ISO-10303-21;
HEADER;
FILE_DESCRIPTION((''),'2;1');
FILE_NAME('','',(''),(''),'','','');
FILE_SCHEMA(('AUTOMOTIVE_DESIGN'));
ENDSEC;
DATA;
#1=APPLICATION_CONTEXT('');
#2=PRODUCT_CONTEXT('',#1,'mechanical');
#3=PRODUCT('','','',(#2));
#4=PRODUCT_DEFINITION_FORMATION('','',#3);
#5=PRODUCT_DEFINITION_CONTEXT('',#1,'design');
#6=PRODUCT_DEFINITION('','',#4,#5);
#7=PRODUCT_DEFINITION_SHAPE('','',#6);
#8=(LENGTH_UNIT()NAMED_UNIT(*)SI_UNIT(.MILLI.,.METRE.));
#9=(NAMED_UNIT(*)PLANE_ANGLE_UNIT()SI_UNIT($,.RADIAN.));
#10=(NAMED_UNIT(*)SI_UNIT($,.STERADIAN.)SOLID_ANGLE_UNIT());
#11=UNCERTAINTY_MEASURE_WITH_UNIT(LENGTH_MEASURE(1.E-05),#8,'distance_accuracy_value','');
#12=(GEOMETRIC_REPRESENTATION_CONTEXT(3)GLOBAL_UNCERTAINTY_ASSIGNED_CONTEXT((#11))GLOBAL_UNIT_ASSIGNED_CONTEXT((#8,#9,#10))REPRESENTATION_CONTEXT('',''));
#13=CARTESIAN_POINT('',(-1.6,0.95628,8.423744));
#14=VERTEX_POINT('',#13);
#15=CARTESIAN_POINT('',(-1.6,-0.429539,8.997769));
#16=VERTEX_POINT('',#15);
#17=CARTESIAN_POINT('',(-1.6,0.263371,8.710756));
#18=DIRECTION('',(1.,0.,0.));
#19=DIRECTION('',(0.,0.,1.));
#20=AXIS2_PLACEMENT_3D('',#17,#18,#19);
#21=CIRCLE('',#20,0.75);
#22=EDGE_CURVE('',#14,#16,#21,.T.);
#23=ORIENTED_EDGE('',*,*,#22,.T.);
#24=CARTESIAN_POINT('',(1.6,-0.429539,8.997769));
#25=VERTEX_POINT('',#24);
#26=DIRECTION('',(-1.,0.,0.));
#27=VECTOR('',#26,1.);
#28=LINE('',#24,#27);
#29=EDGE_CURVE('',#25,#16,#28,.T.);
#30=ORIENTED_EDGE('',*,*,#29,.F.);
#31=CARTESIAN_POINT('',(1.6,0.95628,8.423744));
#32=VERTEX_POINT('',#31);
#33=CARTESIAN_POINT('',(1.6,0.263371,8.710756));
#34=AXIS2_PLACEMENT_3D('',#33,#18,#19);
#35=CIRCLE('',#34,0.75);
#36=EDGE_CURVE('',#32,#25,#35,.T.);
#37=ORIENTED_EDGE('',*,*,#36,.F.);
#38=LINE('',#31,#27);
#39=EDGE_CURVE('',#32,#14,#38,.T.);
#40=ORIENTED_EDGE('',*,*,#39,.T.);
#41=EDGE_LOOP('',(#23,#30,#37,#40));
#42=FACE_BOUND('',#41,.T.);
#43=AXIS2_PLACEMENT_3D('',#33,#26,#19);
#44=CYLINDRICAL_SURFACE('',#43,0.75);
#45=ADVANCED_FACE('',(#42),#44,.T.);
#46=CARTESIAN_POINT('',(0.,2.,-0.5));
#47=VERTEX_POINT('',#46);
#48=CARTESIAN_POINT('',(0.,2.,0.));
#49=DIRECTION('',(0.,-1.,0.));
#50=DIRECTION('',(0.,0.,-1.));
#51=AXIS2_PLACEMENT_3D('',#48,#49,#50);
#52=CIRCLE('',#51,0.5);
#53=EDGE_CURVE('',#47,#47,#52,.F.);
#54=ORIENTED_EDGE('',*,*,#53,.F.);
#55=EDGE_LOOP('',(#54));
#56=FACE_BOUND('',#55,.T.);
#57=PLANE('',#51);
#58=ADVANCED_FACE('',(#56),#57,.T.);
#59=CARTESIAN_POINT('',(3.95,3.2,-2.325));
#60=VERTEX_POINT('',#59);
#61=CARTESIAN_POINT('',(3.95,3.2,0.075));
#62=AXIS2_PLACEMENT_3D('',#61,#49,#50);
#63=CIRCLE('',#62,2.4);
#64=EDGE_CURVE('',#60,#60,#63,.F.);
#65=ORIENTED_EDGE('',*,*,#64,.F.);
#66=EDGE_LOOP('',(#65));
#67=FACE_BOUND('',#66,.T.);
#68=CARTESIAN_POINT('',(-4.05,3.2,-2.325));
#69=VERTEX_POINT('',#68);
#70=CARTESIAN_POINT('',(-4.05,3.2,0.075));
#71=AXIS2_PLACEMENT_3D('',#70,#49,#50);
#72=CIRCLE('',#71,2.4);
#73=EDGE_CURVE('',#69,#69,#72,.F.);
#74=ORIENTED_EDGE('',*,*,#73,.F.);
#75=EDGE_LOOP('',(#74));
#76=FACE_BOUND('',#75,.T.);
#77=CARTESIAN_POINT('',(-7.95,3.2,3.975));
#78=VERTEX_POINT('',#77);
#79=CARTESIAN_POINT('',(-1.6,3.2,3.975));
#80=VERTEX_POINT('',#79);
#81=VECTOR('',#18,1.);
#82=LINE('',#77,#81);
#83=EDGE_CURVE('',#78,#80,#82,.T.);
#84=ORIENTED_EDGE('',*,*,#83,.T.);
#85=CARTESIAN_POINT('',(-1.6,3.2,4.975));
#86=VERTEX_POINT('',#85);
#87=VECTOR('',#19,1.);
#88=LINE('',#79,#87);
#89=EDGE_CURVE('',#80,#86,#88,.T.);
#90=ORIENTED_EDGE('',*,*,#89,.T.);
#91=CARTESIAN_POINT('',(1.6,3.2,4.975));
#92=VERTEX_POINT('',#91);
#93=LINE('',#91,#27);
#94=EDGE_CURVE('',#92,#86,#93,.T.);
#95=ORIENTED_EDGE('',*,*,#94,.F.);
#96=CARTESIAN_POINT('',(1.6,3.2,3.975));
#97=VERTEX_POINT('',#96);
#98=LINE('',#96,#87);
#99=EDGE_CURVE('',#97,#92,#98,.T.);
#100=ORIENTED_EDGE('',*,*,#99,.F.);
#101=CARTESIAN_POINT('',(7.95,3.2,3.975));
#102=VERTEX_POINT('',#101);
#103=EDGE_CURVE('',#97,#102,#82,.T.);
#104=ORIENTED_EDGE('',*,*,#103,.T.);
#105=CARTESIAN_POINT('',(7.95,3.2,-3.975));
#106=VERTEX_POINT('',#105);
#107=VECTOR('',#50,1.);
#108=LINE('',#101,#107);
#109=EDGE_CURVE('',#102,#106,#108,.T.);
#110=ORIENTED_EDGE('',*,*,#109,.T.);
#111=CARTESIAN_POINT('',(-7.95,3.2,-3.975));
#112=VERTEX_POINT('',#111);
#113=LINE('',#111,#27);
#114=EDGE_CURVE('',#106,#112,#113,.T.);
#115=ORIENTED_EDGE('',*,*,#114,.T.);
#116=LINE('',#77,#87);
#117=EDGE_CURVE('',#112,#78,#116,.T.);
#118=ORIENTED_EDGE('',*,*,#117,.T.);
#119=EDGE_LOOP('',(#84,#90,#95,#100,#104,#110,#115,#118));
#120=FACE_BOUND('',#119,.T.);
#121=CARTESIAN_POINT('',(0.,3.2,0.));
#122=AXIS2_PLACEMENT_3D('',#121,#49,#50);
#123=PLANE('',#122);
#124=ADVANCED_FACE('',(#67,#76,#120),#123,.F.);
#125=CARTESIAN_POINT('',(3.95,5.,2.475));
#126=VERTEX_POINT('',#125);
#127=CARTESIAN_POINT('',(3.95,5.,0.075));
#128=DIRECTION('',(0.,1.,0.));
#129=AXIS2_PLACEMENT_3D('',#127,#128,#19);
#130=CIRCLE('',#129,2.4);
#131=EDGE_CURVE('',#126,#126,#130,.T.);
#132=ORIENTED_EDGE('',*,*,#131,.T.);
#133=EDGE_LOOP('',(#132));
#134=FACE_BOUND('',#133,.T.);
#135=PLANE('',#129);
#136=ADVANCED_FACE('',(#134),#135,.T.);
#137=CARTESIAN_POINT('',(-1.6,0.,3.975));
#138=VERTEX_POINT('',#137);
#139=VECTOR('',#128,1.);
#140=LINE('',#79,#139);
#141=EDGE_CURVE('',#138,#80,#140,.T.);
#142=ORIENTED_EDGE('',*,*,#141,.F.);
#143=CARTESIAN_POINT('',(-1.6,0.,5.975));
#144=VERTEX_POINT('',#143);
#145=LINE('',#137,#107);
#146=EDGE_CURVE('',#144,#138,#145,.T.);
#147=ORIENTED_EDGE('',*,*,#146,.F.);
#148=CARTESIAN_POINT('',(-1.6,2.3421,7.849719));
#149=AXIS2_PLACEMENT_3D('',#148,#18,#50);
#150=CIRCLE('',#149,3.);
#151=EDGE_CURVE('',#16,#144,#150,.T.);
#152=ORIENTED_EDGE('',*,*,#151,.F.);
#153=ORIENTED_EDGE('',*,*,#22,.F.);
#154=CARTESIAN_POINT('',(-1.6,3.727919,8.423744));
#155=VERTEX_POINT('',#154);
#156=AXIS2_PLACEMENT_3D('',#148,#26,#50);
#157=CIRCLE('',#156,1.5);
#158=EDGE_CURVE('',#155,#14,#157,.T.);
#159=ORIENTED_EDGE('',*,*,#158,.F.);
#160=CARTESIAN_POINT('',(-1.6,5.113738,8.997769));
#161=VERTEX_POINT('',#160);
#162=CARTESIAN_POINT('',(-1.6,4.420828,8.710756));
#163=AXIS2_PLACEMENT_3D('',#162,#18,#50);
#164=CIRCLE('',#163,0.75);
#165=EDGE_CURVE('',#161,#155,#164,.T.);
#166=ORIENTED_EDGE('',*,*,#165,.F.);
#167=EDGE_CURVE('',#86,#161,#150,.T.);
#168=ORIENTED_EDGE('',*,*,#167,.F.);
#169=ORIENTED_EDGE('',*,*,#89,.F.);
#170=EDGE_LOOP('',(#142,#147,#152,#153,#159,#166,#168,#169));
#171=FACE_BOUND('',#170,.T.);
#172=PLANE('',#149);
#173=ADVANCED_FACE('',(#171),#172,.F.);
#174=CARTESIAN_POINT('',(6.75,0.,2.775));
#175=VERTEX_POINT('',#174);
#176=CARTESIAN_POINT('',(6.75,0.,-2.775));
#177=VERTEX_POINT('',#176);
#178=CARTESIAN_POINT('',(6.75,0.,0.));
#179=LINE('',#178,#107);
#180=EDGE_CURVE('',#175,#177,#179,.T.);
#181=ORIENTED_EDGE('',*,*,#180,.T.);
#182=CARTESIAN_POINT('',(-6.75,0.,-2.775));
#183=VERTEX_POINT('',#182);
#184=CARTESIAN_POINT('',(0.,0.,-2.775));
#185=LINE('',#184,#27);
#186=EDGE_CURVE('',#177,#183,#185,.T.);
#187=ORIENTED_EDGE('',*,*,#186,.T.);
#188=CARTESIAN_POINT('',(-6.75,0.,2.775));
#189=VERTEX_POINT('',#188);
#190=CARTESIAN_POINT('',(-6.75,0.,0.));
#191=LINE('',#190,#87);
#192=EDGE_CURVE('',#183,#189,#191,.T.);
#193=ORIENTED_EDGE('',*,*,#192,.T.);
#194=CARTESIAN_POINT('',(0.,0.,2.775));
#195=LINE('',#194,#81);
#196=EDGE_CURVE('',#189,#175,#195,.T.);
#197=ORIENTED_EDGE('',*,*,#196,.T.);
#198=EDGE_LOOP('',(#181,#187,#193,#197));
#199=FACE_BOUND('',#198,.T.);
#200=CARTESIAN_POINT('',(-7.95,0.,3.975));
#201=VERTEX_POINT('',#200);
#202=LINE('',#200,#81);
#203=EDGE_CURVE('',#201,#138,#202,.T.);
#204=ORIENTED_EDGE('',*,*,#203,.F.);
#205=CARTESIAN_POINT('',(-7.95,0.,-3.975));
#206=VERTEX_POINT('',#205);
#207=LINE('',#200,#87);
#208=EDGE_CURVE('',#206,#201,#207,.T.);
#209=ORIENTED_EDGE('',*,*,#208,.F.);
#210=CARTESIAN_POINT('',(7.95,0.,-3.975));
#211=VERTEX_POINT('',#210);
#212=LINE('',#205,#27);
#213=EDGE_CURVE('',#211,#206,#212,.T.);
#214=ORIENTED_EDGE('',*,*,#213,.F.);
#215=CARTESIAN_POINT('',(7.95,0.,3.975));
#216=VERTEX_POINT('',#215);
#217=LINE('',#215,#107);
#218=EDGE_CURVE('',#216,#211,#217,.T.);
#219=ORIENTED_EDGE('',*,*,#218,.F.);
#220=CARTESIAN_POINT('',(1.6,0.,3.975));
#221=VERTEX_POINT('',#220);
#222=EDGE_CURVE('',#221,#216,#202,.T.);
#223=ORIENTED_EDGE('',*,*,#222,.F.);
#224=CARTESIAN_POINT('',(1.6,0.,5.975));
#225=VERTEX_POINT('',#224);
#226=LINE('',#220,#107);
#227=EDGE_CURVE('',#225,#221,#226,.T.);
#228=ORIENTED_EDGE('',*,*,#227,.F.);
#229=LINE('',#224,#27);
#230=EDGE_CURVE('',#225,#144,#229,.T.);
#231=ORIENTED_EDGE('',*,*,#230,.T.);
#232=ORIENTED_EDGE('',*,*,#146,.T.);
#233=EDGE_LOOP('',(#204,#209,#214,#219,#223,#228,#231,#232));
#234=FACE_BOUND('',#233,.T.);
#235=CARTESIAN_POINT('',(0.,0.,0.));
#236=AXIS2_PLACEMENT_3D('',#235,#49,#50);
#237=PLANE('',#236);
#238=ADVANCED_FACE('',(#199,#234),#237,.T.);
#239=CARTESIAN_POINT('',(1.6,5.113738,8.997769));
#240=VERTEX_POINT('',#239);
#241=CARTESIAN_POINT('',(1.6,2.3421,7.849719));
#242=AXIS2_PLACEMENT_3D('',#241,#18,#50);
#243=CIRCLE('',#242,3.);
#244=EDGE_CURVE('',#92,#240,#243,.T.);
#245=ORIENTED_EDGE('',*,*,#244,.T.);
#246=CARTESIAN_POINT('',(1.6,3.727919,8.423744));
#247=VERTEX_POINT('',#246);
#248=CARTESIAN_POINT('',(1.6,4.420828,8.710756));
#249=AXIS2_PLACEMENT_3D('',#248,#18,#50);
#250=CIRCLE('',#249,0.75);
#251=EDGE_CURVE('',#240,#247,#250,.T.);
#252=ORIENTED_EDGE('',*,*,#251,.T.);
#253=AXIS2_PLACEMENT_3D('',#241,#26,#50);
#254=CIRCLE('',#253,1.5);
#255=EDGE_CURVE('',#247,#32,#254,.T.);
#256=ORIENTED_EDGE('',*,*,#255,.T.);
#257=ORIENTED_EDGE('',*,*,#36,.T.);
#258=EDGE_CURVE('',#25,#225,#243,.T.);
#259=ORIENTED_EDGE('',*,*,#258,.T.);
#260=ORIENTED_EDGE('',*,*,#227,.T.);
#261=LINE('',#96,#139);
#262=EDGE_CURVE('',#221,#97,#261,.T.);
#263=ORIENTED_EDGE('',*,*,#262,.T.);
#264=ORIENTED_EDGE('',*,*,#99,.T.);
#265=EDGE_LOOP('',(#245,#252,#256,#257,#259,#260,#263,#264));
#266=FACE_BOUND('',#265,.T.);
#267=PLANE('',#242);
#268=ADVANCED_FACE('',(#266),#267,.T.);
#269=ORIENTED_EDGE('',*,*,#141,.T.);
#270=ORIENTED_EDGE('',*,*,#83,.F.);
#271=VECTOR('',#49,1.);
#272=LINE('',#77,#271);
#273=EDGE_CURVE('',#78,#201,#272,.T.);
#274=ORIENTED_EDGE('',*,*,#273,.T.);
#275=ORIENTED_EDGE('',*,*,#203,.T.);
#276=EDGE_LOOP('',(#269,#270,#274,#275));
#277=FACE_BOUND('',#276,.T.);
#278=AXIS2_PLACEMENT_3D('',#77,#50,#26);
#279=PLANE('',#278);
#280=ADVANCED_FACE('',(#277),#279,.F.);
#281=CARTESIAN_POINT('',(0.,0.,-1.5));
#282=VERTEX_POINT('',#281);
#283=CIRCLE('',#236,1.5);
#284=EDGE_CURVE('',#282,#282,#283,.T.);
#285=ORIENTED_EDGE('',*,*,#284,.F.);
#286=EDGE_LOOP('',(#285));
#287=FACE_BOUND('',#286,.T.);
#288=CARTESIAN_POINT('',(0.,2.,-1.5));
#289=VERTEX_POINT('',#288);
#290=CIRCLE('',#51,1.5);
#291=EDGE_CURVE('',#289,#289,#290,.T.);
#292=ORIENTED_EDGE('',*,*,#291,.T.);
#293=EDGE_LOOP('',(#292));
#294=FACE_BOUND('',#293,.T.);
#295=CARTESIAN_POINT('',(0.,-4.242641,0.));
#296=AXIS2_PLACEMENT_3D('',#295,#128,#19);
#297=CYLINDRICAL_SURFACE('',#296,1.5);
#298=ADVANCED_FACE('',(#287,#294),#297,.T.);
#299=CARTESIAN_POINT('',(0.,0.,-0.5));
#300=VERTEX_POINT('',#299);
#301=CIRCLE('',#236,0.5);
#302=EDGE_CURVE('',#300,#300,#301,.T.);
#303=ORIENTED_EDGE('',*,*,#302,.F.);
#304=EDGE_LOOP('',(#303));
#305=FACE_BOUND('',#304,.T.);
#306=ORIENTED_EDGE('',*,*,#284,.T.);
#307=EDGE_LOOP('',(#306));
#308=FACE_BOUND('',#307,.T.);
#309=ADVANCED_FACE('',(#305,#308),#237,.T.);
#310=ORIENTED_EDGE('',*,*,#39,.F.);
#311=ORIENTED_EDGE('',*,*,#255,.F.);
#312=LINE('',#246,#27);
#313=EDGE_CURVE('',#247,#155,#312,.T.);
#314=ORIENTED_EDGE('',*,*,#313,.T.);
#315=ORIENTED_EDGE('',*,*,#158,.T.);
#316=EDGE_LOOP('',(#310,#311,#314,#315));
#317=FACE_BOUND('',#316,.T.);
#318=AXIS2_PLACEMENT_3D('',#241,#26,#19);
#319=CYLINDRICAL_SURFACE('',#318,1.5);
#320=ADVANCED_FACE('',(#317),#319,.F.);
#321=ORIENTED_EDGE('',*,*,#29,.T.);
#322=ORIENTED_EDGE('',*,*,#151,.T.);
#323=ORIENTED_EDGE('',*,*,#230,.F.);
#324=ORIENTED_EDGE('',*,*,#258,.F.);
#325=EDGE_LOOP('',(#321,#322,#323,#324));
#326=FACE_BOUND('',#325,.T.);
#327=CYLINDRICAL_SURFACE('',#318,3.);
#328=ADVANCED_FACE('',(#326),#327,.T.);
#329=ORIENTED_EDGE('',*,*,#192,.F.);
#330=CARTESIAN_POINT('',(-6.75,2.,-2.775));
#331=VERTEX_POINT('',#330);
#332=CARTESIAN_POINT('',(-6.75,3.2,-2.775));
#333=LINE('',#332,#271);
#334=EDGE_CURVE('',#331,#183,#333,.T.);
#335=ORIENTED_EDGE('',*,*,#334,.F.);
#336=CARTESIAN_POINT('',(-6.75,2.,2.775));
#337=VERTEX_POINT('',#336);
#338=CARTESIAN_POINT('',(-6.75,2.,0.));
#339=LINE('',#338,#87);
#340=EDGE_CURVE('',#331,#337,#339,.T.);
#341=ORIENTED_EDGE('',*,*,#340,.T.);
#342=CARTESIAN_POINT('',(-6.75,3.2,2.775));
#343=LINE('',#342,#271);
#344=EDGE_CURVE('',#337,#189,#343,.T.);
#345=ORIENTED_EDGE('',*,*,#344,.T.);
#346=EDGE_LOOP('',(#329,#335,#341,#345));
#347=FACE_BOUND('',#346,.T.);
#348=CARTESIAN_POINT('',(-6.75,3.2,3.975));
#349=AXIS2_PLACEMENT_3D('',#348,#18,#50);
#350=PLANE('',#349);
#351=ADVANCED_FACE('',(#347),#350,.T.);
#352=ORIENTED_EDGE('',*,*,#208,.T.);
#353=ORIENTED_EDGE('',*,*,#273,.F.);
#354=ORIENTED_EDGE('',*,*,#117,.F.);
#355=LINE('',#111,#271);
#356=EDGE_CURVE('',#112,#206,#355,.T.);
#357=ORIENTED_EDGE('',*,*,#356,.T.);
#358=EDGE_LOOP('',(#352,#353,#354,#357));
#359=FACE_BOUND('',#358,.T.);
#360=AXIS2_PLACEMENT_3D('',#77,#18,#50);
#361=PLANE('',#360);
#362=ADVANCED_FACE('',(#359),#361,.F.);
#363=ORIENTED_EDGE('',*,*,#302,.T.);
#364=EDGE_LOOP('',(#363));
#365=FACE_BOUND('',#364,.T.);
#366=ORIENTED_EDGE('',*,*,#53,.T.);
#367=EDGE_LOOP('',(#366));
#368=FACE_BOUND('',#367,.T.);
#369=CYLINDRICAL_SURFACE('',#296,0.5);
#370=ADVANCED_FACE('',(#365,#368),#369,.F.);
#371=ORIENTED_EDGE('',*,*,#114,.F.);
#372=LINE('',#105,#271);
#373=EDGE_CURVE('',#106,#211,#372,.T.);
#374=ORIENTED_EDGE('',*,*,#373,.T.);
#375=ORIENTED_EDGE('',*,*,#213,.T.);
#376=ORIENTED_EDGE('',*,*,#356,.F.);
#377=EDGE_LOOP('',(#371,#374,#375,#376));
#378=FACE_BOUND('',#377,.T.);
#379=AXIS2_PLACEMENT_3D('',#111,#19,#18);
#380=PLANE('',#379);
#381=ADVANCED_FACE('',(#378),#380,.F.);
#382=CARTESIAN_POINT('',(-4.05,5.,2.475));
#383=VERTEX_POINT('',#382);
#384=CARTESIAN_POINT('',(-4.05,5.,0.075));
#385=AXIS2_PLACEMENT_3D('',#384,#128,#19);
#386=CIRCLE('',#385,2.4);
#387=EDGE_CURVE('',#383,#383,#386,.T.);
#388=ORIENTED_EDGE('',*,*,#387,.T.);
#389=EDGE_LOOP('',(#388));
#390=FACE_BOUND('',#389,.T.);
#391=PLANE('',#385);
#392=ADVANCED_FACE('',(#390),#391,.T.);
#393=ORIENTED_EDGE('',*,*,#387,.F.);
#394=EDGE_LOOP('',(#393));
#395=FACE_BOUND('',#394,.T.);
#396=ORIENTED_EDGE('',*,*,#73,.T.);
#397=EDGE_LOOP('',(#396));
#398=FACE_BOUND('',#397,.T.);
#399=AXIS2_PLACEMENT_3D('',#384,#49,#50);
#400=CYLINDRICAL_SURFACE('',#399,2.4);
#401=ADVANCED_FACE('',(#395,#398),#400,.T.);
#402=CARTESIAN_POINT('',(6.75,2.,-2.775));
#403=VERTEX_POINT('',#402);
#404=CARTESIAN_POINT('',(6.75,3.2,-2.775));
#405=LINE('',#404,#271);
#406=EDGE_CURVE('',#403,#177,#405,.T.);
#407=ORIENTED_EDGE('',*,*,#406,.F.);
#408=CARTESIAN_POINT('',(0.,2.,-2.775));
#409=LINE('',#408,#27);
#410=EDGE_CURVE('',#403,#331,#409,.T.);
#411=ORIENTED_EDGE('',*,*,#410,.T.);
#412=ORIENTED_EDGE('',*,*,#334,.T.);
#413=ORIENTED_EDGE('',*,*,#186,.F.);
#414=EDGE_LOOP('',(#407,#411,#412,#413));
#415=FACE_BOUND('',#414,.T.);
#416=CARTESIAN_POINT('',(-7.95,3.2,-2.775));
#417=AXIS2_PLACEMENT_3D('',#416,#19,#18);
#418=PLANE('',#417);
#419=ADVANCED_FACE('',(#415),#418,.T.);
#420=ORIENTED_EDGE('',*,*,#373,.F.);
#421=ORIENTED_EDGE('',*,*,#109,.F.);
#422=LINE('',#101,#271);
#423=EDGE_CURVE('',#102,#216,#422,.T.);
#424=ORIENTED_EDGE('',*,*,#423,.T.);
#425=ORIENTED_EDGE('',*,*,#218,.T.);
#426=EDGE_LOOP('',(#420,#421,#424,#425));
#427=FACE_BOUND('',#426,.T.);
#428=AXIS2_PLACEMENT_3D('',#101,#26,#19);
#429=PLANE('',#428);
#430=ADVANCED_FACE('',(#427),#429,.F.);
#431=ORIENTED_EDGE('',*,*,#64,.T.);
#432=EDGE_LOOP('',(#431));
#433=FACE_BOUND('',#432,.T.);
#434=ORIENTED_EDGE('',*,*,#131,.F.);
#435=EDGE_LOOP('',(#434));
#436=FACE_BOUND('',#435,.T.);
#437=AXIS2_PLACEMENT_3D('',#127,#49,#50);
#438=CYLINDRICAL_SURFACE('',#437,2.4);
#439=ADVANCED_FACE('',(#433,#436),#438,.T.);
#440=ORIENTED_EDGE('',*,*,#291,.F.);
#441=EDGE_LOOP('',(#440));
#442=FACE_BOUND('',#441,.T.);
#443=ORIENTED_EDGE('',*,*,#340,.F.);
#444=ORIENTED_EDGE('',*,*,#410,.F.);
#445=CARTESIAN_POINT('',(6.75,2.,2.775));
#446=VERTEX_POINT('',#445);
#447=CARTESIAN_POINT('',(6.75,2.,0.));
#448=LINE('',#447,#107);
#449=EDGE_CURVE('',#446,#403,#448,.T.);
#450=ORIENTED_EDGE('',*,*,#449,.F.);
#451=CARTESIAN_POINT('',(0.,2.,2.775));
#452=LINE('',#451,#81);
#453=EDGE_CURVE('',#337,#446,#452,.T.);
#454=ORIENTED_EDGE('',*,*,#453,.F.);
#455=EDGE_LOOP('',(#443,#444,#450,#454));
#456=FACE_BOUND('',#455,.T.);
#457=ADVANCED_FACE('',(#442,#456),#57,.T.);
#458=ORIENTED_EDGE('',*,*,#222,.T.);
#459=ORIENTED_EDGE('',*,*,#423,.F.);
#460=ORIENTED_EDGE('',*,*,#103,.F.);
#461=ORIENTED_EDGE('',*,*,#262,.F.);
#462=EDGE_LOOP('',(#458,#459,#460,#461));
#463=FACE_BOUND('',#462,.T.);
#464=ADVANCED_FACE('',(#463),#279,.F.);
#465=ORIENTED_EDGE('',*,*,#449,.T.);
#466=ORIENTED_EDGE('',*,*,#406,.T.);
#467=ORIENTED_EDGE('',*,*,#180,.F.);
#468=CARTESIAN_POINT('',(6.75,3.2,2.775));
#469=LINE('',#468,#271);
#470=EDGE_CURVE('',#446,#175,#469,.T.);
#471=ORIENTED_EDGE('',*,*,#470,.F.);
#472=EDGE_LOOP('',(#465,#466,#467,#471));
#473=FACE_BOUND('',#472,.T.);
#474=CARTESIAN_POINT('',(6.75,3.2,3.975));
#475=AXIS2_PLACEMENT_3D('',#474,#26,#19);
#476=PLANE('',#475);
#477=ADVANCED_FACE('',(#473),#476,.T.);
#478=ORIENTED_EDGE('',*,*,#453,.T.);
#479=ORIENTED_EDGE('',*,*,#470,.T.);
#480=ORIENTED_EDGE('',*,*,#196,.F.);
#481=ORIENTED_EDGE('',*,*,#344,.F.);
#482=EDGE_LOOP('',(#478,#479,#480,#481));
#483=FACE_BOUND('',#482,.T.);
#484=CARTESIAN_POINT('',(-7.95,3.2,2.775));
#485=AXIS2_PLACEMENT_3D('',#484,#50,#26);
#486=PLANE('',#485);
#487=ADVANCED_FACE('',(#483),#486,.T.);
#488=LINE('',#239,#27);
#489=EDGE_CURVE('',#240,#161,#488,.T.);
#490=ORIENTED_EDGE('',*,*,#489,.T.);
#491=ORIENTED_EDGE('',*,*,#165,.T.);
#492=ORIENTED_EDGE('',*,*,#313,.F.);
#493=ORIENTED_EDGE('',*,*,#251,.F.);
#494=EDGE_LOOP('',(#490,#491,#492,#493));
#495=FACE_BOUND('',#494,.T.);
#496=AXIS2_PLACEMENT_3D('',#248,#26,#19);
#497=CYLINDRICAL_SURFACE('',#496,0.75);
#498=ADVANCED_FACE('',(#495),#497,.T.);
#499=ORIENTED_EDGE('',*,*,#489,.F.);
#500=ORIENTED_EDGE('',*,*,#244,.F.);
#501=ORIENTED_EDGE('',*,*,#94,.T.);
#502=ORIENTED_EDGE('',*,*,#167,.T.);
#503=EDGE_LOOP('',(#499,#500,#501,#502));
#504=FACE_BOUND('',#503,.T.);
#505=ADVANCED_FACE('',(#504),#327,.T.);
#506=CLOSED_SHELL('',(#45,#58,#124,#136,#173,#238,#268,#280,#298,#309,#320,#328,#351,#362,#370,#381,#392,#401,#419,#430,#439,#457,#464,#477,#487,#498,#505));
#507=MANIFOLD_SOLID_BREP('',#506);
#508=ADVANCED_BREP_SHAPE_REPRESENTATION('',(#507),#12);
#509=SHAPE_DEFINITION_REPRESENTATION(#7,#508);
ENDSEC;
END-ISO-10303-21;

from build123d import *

# Parameters (mm, degrees)
SKETCH1_W           = 15.9
SKETCH1_H           = 7.95
BOSS_EXTRUDE1_DEPTH = 3.2
SHELL1_T            = -1.2
SKETCH3_R           = 1.5
SKETCH3_R_2         = 0.5
BOSS_EXTRUDE3_DEPTH = 2
SKETCH4_R           = 2.4
BOSS_EXTRUDE4_DEPTH = 1.8
LPATTERN1_COUNT     = 2
LPATTERN1_PITCH     = 8
BOSS_EXTRUDE5_DEPTH = 1.6


with BuildPart() as part:
    # Sketch1 → Boss-Extrude1 (new body)
    with BuildSketch(Plane(origin=(0, 0, 0), x_dir=(1, 0, 0), z_dir=(0, 1, 0))):
        Rectangle(SKETCH1_W, SKETCH1_H)
    extrude(amount=BOSS_EXTRUDE1_DEPTH)

    # Shell1
    shell1_openings = [part.faces().sort_by_distance(p)[0] for p in [
        (0, 0, 0),
    ]]
    offset(amount=SHELL1_T, openings=shell1_openings, kind=Kind.INTERSECTION)

    # Sketch3 → Boss-Extrude3 (add)
    with BuildSketch(Plane.XZ.offset(-2)):
        with Locations(Location((0, 0, 0), (0, 0, 270))):
            Circle(SKETCH3_R)
        with Locations(Location((0, 0, 0), (0, 0, 270))):
            Circle(SKETCH3_R_2, mode=Mode.SUBTRACT)
    extrude(amount=BOSS_EXTRUDE3_DEPTH)

    # Sketch4 → Boss-Extrude4 (add)
    with BuildSketch(Plane(origin=(0, 3.2, 0), x_dir=(1, 0, 0), z_dir=(0, 1, 0))):
        with Locations(Location((-4.05, -0.075, 0), (0, 0, 90))):
            Circle(SKETCH4_R)
    boss_extrude4 = extrude(amount=BOSS_EXTRUDE4_DEPTH)

    # LPattern1: Boss-Extrude4 ×2
    with Locations(*[(i * LPATTERN1_PITCH, 0, 0) for i in range(1, LPATTERN1_COUNT)]):
        add(boss_extrude4)

    # Sketch5 → Boss-Extrude5 (add, symmetric)
    with BuildSketch(Plane(origin=(0, 0, 0), x_dir=(0, 0, -1), z_dir=(1, 0, 0))):
        with BuildLine():
            Line((-3.975, 0), (-5.975, 0))
            ThreePointArc((-5.975, 0), (-7.427655013, -0.628062458), (-8.997768861, -0.429539046))
            ThreePointArc((-8.997768861, -0.429539046), (-9.403665936, 0.550383177), (-8.423743712, 0.956280252))
            ThreePointArc((-8.423743712, 0.956280252), (-6.349718564, 2.342099551), (-8.423743712, 3.72791885))
            ThreePointArc((-8.423743712, 3.72791885), (-9.403665936, 4.133815925), (-8.997768861, 5.113738149))
            ThreePointArc((-8.997768861, 5.113738149), (-6.560942303, 5.051168718), (-4.975, 3.2))
            Line((-4.975, 3.2), (-3.975, 3.2))
            Line((-3.975, 3.2), (-3.975, 0))
        make_face()
    extrude(amount=BOSS_EXTRUDE5_DEPTH, both=True)


solid = part.part
